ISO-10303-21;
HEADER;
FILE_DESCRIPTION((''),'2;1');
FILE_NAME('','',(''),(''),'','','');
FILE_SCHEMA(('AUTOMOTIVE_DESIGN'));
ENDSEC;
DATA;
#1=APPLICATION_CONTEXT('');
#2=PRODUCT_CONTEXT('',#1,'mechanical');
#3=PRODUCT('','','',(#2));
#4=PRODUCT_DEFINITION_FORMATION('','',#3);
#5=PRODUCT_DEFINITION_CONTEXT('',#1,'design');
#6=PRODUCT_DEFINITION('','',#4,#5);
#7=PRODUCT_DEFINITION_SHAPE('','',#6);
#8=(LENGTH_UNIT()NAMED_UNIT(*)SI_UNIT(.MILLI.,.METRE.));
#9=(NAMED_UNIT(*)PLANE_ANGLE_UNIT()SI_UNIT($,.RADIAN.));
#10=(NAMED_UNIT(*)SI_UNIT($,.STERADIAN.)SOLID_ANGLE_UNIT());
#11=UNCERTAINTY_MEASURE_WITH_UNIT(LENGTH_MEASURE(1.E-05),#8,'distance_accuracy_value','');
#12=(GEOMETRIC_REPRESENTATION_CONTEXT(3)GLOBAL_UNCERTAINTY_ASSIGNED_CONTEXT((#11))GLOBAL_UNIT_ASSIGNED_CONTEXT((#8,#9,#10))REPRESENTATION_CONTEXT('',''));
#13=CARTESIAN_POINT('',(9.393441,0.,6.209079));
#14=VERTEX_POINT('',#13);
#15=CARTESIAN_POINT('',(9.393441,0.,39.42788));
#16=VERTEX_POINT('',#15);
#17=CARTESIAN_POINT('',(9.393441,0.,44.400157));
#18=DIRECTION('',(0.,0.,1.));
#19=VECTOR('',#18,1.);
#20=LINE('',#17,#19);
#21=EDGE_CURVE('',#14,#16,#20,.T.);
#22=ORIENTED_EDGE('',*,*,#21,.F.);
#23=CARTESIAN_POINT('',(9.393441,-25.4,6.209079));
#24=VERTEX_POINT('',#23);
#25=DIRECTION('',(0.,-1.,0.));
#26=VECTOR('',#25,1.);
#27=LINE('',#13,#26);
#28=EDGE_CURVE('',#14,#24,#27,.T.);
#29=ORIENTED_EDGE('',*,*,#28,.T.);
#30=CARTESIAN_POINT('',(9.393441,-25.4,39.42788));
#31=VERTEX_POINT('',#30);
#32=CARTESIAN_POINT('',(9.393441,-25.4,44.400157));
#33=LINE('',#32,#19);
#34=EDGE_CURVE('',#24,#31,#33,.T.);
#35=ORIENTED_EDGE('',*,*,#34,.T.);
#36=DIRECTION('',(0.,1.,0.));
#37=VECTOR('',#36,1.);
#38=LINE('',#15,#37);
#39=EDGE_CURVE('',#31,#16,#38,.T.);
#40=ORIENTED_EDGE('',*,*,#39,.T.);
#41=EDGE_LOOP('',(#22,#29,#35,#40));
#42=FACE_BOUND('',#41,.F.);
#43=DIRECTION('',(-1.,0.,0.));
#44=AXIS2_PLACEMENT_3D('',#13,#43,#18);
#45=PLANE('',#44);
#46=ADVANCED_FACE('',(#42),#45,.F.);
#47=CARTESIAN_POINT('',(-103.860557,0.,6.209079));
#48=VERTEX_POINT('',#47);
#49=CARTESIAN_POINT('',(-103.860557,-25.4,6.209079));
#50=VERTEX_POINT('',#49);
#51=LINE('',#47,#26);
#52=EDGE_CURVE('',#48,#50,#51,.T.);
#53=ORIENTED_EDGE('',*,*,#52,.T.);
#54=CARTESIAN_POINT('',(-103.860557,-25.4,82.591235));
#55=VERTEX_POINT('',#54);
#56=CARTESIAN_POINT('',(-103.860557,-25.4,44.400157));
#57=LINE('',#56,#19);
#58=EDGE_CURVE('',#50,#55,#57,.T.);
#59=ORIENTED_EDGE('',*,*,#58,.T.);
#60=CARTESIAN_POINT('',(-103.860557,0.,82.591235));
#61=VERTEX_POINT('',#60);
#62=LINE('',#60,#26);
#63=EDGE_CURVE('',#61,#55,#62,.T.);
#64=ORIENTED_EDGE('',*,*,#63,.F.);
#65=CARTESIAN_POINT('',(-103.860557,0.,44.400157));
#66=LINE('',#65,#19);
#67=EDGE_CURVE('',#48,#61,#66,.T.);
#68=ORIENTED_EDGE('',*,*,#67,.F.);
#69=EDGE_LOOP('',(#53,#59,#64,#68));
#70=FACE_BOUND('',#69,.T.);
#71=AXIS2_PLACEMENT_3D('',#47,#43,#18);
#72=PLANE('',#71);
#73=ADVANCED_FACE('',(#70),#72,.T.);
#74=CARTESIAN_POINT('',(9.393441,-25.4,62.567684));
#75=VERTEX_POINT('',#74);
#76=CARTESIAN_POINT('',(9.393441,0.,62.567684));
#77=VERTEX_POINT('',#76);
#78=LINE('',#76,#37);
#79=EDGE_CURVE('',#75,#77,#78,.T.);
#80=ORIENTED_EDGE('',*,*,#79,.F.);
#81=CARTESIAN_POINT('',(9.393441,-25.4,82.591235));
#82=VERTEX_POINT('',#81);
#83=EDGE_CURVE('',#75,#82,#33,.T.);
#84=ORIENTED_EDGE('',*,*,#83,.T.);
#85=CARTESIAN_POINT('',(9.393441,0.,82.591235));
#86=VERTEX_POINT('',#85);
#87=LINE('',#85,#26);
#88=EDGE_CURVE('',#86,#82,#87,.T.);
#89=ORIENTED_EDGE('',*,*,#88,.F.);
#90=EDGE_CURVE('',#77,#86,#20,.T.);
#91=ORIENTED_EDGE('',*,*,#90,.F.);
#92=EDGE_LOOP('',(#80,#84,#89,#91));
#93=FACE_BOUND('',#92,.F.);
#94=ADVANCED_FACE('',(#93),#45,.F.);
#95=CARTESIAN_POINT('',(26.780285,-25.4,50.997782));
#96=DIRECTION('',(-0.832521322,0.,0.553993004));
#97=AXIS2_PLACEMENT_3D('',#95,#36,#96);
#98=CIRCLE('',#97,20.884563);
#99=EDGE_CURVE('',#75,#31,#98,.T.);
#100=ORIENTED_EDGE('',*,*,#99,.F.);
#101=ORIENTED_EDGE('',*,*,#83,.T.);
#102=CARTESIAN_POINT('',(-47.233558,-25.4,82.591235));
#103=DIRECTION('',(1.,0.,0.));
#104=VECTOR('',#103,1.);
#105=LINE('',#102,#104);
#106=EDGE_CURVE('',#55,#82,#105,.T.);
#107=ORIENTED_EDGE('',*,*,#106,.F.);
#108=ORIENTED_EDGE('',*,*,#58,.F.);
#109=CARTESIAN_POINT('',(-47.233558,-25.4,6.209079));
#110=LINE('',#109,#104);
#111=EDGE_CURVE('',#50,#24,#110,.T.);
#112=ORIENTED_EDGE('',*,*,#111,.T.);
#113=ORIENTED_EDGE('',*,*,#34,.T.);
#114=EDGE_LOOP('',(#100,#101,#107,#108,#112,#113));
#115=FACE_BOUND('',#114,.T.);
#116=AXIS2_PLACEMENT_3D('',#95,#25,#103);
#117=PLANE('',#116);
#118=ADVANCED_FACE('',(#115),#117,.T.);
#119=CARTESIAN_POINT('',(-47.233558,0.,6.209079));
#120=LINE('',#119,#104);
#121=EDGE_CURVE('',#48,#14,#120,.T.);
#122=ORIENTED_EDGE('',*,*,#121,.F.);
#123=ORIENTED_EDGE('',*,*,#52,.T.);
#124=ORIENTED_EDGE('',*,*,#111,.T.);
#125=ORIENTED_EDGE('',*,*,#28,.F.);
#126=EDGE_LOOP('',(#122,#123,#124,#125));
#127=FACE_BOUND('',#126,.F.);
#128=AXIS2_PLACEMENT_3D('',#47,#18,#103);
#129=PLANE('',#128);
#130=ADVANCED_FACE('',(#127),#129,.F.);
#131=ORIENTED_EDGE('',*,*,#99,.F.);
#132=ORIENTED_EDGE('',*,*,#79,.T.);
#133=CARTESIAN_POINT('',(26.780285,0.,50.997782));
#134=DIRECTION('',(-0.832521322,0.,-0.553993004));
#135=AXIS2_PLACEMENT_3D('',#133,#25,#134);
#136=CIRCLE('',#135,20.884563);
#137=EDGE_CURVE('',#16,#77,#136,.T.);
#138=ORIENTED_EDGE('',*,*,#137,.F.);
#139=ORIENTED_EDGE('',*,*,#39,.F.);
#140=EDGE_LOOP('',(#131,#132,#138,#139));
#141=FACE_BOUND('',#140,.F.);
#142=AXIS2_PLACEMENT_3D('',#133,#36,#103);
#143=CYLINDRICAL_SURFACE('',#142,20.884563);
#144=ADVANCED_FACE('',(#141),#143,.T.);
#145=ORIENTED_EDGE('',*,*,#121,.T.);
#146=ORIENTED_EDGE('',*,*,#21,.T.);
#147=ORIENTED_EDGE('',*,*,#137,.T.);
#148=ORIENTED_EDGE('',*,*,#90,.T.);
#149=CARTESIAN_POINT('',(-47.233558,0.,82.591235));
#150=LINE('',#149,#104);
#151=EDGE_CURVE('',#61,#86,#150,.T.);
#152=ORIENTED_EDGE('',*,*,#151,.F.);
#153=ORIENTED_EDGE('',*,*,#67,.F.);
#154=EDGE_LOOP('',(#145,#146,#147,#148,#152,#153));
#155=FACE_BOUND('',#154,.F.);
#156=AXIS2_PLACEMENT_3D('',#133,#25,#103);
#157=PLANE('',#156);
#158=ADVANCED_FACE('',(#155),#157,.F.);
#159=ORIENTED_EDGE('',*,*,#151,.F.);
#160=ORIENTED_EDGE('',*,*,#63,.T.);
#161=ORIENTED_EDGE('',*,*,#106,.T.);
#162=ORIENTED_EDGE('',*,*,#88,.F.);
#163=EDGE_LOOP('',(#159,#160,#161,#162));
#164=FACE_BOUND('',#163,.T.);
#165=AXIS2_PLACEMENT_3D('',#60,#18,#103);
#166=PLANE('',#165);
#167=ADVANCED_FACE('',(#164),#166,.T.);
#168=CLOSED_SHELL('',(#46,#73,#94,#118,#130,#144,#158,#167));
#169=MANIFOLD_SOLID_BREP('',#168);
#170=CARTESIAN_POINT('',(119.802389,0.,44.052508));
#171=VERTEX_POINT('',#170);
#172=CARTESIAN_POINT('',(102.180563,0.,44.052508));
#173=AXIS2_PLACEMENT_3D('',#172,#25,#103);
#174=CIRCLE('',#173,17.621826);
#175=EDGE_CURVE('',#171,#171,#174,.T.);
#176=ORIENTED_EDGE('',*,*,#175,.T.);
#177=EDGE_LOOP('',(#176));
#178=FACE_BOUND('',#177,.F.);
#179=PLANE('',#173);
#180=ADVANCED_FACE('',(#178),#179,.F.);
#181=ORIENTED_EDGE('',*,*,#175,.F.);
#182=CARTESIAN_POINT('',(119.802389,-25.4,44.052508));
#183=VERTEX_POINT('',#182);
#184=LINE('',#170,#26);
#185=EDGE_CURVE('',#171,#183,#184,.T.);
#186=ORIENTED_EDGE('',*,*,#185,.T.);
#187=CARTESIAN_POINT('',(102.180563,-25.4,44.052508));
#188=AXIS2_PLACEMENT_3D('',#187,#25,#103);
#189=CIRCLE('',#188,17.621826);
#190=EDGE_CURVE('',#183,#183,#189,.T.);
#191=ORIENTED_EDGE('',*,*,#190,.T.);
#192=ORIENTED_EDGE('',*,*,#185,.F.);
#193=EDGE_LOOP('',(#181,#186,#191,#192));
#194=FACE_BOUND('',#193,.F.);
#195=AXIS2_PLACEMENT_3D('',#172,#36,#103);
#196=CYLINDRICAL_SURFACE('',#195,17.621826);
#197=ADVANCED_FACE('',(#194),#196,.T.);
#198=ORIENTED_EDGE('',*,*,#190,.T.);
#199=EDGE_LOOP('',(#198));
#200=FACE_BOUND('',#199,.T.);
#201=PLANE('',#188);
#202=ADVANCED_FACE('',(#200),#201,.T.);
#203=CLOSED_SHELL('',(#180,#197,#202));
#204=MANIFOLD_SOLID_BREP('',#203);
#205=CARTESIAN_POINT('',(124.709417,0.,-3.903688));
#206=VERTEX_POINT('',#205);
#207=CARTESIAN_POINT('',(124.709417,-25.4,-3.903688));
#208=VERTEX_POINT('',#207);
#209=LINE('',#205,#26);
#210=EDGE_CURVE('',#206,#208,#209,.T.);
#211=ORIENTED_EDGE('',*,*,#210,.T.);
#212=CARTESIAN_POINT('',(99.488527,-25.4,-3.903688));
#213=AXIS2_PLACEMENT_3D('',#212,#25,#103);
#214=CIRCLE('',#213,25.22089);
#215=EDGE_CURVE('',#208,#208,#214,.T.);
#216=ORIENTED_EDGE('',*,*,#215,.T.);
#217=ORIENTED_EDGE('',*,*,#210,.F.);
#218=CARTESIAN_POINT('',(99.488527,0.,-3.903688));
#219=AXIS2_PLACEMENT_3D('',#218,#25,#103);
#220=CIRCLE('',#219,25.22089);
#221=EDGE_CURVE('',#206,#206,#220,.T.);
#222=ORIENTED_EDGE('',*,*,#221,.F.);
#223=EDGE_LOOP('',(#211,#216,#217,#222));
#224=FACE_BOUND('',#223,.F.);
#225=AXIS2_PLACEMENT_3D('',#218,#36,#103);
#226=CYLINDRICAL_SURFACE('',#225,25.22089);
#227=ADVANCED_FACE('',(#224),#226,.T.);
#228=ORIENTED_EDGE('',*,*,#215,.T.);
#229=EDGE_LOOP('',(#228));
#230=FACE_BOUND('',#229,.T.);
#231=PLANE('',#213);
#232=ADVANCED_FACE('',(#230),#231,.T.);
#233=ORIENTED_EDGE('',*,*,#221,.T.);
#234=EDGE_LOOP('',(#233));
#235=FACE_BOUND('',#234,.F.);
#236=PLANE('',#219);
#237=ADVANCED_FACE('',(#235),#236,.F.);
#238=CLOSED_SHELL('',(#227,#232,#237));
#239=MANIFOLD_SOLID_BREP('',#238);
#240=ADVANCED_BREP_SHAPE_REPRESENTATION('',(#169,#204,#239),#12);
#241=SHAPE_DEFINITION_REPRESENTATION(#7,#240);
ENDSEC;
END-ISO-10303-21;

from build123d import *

# Parameters (mm, degrees)
F0_W     = 113.253998
F0_H     = 76.382157
F1_DEPTH = 25.4
F2_R     = 20.884563
F2_R_2   = 17.621826
F2_R_3   = 25.22089
F3_DEPTH = 25.4


with BuildPart() as f1:
    # F0 (on Front) → F1 (new body)
    with BuildSketch(Plane.XZ):
        with Locations((-47.233558, 44.400157)):
            Rectangle(F0_W, F0_H)
    extrude(amount=F1_DEPTH)

    # F2 (on Front) → F3 (join)
    with BuildSketch(Plane.XZ):
        with Locations((26.780285, 50.997782)):
            Circle(F2_R)
        with Locations((102.180563, 44.052508)):
            Circle(F2_R_2)
        with Locations((99.488527, -3.903688)):
            Circle(F2_R_3)
    extrude(amount=F3_DEPTH)


solid = f1.part
